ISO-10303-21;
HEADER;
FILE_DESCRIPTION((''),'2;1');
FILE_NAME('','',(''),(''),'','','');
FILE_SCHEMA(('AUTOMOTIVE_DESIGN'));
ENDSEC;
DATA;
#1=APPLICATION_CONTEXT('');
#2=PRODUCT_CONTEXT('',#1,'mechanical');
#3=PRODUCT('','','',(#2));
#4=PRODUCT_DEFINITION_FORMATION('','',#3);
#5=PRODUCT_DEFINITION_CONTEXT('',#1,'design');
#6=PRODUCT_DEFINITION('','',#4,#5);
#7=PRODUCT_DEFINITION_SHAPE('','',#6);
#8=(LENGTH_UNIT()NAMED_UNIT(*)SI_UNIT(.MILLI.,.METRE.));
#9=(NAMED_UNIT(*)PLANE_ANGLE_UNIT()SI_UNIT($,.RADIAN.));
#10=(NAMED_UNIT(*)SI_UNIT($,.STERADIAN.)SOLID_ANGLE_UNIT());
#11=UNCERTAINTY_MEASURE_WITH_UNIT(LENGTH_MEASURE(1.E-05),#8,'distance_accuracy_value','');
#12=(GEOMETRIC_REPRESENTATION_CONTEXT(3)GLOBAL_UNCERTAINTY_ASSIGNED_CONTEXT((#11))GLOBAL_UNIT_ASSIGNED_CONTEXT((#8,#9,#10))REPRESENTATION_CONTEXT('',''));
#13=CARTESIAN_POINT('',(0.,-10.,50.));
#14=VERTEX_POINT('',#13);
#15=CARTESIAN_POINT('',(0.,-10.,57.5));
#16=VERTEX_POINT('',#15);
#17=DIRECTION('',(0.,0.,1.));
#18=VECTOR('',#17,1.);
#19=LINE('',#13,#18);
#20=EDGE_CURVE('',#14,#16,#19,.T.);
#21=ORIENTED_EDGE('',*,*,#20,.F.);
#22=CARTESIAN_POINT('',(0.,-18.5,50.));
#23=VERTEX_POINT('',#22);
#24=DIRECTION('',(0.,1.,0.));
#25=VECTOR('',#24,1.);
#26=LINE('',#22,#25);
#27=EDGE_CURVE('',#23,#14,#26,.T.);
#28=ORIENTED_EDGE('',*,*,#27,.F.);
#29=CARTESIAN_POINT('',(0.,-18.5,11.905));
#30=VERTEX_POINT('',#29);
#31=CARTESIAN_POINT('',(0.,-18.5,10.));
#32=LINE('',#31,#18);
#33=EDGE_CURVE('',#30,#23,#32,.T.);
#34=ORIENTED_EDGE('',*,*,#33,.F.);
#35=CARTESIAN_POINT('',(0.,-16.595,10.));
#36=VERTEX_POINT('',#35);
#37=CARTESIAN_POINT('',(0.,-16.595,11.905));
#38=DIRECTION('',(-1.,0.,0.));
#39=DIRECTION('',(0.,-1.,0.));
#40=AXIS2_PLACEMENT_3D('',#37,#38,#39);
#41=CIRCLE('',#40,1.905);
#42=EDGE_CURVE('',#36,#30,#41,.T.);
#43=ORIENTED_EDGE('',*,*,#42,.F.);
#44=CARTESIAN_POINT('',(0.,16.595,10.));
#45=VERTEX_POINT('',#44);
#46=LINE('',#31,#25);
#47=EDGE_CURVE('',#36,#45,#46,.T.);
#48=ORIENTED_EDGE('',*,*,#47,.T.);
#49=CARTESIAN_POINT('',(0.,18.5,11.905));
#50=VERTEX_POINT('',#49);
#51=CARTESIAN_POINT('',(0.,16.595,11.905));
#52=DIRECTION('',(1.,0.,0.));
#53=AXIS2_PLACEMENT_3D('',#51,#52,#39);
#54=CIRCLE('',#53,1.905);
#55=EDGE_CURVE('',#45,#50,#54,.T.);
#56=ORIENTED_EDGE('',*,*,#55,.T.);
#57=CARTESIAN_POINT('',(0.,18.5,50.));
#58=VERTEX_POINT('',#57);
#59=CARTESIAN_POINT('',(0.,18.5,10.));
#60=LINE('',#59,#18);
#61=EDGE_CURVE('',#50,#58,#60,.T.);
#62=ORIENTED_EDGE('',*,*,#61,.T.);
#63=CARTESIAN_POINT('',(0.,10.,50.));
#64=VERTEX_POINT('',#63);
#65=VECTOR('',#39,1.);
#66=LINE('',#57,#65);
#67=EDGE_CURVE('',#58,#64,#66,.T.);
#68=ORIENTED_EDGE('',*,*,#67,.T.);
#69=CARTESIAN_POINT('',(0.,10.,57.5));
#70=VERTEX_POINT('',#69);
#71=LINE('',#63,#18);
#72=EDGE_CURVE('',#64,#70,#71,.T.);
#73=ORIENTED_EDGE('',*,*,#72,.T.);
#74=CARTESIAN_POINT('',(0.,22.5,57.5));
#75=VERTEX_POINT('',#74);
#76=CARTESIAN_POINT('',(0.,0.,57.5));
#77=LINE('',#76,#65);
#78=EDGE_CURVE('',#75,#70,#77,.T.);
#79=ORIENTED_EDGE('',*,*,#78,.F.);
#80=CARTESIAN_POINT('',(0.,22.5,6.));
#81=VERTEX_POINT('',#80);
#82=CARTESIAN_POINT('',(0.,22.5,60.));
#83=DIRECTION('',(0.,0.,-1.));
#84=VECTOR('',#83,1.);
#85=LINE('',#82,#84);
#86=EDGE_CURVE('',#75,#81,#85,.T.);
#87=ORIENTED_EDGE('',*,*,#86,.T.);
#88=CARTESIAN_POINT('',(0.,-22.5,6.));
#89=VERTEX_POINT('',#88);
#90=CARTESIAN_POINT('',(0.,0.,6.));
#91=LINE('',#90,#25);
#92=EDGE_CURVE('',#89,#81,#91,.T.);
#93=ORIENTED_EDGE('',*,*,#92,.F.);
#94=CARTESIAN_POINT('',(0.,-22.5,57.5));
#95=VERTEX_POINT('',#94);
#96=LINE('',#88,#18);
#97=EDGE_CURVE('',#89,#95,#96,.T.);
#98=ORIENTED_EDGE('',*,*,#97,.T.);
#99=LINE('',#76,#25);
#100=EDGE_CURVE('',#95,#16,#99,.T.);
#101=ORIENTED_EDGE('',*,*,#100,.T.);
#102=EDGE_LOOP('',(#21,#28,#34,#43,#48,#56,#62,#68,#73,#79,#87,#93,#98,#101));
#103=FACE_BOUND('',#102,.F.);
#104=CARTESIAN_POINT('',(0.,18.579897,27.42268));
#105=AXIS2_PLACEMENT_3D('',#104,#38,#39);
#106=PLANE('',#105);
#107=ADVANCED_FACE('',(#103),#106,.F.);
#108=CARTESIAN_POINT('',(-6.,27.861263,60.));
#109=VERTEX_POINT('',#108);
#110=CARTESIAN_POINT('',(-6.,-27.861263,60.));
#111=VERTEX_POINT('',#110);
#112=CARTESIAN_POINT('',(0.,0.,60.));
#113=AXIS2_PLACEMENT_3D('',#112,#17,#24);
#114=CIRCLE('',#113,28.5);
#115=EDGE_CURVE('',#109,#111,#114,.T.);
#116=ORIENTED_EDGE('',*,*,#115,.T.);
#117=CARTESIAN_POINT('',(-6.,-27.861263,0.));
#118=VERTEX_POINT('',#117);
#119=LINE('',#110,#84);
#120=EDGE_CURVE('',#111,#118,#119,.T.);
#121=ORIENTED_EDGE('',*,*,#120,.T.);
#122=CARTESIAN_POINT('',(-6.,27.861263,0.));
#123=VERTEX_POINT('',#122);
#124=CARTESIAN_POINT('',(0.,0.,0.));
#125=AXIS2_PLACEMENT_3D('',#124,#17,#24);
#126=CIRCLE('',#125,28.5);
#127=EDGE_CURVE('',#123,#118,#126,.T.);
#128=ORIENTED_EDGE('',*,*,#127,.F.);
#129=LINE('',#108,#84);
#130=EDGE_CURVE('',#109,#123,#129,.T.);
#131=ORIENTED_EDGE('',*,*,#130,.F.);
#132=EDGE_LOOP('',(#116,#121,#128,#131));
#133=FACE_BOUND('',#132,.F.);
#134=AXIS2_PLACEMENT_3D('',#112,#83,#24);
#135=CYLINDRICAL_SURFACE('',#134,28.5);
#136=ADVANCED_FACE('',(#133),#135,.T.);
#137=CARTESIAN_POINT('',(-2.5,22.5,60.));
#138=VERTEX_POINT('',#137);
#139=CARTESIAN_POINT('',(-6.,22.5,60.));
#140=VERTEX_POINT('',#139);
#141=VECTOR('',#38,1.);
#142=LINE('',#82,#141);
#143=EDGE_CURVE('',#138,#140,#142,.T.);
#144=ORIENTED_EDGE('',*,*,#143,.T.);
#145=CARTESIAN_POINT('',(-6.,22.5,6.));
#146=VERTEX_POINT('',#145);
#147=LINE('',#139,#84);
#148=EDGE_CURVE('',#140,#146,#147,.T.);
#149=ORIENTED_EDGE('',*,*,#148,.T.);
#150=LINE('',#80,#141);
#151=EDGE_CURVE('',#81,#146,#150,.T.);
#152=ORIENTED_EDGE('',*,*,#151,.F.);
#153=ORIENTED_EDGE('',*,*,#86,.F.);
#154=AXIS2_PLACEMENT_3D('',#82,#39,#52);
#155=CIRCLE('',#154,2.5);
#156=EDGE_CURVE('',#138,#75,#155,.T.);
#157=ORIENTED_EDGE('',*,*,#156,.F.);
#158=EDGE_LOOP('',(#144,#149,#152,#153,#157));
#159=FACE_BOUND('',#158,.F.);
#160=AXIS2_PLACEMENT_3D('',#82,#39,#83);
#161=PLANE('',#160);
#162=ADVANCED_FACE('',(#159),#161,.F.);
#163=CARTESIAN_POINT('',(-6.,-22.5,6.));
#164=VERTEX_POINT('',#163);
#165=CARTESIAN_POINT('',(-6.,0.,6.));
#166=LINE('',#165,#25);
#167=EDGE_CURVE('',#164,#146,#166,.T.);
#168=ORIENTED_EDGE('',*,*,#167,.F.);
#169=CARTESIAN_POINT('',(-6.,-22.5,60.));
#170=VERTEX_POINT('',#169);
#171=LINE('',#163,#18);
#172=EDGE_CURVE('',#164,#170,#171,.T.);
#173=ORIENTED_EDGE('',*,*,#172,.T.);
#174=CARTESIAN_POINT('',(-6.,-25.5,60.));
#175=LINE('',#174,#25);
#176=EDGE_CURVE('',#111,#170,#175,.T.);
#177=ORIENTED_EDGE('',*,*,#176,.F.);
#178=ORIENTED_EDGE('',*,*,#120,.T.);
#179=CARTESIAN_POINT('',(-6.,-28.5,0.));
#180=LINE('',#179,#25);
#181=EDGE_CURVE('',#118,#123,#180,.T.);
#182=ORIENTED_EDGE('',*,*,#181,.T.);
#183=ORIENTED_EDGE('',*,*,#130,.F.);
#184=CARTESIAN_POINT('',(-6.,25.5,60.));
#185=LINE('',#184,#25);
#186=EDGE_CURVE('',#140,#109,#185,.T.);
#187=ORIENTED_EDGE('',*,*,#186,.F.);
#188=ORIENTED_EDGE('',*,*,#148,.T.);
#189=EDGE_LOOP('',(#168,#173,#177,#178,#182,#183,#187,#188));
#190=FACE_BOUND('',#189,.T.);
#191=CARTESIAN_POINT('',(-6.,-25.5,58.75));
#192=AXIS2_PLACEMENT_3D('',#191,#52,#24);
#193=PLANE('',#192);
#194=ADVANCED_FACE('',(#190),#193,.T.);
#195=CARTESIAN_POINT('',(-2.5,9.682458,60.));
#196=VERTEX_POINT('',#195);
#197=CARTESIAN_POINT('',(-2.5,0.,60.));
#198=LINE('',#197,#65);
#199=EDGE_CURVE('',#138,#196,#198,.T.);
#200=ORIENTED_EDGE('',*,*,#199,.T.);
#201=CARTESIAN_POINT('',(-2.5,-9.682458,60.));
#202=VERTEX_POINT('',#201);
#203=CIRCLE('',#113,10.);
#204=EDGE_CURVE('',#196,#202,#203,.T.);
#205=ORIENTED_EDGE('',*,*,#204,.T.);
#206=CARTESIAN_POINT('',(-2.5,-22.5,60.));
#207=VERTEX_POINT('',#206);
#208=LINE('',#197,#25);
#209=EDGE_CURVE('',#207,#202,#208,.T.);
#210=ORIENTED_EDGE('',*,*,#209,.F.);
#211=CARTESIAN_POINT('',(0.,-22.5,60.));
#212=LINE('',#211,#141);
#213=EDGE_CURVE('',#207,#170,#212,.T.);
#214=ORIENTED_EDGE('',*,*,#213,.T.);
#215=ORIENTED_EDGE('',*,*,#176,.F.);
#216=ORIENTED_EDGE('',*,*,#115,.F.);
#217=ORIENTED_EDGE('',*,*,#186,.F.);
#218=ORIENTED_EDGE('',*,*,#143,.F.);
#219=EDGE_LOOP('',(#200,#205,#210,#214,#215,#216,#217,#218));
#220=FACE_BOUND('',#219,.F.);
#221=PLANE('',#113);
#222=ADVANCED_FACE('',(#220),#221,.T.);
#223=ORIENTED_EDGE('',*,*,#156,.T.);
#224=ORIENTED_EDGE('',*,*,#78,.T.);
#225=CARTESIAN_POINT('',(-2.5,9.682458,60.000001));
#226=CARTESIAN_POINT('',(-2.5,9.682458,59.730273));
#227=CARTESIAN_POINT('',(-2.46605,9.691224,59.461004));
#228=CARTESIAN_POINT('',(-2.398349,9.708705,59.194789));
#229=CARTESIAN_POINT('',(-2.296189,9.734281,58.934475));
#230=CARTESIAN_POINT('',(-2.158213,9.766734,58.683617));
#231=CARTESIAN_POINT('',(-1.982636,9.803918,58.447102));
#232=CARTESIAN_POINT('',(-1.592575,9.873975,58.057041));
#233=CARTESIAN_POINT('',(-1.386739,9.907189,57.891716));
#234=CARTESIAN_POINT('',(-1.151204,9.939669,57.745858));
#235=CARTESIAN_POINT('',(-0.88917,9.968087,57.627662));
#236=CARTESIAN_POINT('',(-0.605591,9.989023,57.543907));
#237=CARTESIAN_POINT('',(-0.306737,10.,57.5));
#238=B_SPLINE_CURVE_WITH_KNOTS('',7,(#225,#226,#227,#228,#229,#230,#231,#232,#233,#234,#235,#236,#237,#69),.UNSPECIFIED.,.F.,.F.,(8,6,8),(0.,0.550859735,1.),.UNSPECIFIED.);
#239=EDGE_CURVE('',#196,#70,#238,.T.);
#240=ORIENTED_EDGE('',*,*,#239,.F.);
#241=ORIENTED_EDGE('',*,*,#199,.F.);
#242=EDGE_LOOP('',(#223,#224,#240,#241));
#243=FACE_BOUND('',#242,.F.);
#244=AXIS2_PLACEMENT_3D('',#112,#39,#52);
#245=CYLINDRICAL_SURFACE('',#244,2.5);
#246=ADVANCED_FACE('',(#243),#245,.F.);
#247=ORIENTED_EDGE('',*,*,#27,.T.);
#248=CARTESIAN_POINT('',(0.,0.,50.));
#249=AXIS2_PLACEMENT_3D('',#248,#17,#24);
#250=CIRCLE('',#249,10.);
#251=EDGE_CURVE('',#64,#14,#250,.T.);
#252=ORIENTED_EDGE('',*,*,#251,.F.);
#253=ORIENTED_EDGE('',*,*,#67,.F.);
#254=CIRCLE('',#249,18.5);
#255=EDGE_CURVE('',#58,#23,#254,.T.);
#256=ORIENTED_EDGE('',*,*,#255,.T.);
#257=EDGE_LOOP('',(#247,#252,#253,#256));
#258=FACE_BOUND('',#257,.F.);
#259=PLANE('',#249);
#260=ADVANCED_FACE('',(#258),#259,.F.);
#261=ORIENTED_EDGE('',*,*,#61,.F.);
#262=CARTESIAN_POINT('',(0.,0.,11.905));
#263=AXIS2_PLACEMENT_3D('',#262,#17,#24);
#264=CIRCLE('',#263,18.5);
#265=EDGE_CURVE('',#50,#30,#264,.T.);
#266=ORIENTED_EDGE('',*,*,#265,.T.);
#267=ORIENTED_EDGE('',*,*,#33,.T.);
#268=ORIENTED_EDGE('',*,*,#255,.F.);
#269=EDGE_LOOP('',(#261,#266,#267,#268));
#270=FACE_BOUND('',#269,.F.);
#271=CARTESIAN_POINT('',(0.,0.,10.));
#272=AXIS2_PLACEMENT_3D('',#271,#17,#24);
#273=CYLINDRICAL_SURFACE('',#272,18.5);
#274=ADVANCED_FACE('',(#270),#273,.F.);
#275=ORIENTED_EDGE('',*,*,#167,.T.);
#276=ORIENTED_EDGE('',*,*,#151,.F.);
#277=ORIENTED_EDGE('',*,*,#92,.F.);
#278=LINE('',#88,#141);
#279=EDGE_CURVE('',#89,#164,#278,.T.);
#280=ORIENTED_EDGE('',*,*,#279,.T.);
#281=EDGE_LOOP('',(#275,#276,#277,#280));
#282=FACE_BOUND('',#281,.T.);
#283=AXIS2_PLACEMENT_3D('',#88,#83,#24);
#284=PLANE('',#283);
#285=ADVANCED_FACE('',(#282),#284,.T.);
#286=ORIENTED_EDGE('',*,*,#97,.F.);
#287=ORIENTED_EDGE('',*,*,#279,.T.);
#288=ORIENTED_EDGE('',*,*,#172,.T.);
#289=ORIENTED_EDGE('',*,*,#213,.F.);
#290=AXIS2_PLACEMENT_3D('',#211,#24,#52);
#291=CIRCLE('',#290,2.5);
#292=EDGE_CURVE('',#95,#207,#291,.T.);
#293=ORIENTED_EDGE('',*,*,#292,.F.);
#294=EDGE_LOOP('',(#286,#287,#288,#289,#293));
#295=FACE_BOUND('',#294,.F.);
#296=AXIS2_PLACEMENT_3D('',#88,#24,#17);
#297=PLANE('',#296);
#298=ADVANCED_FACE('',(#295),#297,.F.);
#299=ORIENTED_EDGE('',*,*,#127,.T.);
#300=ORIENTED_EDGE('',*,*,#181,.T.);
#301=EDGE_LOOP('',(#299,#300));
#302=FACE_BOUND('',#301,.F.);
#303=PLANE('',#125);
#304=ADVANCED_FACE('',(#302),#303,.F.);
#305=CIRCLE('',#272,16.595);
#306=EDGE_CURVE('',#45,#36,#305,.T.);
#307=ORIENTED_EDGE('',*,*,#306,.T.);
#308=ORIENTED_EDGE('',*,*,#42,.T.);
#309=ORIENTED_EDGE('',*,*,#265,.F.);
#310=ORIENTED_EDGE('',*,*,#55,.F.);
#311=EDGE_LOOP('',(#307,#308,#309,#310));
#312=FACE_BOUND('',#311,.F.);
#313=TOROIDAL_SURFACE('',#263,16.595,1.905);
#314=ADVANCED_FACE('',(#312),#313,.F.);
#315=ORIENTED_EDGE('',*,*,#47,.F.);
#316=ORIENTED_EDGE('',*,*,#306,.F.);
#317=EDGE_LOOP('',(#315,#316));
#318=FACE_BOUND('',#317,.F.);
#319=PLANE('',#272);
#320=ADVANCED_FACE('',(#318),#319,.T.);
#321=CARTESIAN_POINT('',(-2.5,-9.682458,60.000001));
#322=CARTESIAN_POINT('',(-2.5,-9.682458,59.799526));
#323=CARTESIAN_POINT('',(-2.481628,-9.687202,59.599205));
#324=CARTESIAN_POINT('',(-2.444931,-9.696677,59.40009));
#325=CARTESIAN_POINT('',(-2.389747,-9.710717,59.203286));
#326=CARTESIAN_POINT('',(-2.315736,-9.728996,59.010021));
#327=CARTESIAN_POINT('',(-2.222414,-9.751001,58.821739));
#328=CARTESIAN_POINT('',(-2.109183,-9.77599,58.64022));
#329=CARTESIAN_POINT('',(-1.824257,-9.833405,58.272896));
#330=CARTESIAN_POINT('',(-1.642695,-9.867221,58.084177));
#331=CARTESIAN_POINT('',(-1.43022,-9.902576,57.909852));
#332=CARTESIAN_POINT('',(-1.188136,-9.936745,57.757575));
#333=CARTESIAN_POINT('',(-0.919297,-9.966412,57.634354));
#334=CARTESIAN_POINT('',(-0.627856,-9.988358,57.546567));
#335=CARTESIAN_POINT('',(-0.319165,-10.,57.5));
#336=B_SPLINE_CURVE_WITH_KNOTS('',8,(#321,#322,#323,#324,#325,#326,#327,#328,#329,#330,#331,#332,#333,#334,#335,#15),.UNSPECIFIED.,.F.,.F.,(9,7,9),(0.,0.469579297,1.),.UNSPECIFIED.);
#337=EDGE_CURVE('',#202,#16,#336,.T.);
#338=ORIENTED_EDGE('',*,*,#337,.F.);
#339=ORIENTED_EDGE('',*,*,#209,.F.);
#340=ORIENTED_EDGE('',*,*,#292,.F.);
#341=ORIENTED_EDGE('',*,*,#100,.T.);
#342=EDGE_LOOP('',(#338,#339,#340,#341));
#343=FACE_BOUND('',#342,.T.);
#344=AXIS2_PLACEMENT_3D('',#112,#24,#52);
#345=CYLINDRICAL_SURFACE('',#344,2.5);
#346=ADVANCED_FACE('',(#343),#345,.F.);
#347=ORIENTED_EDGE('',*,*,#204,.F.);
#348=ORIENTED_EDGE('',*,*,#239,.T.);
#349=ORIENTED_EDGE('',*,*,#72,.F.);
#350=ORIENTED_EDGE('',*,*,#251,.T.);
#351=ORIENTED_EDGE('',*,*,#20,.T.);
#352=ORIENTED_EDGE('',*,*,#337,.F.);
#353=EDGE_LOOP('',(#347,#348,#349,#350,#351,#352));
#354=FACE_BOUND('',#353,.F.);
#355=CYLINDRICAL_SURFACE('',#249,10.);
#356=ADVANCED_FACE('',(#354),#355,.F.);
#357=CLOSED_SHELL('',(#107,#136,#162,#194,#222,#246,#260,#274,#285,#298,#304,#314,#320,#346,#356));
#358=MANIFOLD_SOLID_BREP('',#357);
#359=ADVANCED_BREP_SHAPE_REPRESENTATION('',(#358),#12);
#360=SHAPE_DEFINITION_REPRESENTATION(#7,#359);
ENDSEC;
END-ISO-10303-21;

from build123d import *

# Parameters (mm, degrees)
F1_ANGLE_BACK = 90
F1_ANGLE      = 180
F2_R          = 2.5
F3_DEPTH      = 28.501
F3_DEPTH_BACK = 28.501
F4_R          = 1.905
F5_W          = 6
F5_H          = 2.5
F5_W_2        = 45
F5_H_2        = 6
F5_H_3        = 1.5
F6_DEPTH      = 6


with BuildPart() as f1:
    # F0 (on Front) → F1 (revolve)
    with BuildSketch(Plane.XZ, mode=Mode.PRIVATE) as f1_sk:
        Polygon((-18.5, 0), (0, 0), (0, 10), (-18.5, 10), (-18.5, 50), (-10, 50), (-10, 60), (-18.5, 60), (-28.5, 60), (-28.5, 0), align=None)
    revolve(f1_sk.sketch.rotate(Axis((0, 0, 5), (0, 0, 1)), -F1_ANGLE_BACK), axis=Axis((0, 0, 5), (0, 0, 1)), revolution_arc=F1_ANGLE)

    # F2 (on Front) → F3 (cut, two sides)
    with BuildSketch(Plane.XZ) as f3_sk:
        with Locations((0, 60)):
            Circle(F2_R)
    extrude(amount=-F3_DEPTH, mode=Mode.SUBTRACT)
    extrude(f3_sk.sketch, amount=F3_DEPTH_BACK, mode=Mode.SUBTRACT)

    # F4
    f4_edges = [f1.edges().sort_by_distance(p)[0] for p in [
        (-18.5, 0, 10),
    ]]
    fillet(f4_edges, radius=F4_R)

    # F5 (on face) → F6 (cut)
    with BuildSketch(Plane.YZ):
        with Locations((-25.5, 58.75)):
            Rectangle(F5_W, F5_H)
        Polygon((-22.5, 6), (-22.5, 56), (-28.5, 56), (-28.5, 0), (-22.5, 0), align=None)
        with Locations((25.5, 58.75)):
            Rectangle(F5_W, F5_H)
        Polygon((22.5, 56), (22.5, 6), (22.5, 0), (28.5, 0), (28.5, 56), align=None)
        with Locations((0, 3)):
            Rectangle(F5_W_2, F5_H_2)
        with Locations((25.5, 56.75)):
            Rectangle(F5_W, F5_H_3)
        with Locations((-25.5, 56.75)):
            Rectangle(F5_W, F5_H_3)
    extrude(amount=-F6_DEPTH, mode=Mode.SUBTRACT)


solid = f1.part
